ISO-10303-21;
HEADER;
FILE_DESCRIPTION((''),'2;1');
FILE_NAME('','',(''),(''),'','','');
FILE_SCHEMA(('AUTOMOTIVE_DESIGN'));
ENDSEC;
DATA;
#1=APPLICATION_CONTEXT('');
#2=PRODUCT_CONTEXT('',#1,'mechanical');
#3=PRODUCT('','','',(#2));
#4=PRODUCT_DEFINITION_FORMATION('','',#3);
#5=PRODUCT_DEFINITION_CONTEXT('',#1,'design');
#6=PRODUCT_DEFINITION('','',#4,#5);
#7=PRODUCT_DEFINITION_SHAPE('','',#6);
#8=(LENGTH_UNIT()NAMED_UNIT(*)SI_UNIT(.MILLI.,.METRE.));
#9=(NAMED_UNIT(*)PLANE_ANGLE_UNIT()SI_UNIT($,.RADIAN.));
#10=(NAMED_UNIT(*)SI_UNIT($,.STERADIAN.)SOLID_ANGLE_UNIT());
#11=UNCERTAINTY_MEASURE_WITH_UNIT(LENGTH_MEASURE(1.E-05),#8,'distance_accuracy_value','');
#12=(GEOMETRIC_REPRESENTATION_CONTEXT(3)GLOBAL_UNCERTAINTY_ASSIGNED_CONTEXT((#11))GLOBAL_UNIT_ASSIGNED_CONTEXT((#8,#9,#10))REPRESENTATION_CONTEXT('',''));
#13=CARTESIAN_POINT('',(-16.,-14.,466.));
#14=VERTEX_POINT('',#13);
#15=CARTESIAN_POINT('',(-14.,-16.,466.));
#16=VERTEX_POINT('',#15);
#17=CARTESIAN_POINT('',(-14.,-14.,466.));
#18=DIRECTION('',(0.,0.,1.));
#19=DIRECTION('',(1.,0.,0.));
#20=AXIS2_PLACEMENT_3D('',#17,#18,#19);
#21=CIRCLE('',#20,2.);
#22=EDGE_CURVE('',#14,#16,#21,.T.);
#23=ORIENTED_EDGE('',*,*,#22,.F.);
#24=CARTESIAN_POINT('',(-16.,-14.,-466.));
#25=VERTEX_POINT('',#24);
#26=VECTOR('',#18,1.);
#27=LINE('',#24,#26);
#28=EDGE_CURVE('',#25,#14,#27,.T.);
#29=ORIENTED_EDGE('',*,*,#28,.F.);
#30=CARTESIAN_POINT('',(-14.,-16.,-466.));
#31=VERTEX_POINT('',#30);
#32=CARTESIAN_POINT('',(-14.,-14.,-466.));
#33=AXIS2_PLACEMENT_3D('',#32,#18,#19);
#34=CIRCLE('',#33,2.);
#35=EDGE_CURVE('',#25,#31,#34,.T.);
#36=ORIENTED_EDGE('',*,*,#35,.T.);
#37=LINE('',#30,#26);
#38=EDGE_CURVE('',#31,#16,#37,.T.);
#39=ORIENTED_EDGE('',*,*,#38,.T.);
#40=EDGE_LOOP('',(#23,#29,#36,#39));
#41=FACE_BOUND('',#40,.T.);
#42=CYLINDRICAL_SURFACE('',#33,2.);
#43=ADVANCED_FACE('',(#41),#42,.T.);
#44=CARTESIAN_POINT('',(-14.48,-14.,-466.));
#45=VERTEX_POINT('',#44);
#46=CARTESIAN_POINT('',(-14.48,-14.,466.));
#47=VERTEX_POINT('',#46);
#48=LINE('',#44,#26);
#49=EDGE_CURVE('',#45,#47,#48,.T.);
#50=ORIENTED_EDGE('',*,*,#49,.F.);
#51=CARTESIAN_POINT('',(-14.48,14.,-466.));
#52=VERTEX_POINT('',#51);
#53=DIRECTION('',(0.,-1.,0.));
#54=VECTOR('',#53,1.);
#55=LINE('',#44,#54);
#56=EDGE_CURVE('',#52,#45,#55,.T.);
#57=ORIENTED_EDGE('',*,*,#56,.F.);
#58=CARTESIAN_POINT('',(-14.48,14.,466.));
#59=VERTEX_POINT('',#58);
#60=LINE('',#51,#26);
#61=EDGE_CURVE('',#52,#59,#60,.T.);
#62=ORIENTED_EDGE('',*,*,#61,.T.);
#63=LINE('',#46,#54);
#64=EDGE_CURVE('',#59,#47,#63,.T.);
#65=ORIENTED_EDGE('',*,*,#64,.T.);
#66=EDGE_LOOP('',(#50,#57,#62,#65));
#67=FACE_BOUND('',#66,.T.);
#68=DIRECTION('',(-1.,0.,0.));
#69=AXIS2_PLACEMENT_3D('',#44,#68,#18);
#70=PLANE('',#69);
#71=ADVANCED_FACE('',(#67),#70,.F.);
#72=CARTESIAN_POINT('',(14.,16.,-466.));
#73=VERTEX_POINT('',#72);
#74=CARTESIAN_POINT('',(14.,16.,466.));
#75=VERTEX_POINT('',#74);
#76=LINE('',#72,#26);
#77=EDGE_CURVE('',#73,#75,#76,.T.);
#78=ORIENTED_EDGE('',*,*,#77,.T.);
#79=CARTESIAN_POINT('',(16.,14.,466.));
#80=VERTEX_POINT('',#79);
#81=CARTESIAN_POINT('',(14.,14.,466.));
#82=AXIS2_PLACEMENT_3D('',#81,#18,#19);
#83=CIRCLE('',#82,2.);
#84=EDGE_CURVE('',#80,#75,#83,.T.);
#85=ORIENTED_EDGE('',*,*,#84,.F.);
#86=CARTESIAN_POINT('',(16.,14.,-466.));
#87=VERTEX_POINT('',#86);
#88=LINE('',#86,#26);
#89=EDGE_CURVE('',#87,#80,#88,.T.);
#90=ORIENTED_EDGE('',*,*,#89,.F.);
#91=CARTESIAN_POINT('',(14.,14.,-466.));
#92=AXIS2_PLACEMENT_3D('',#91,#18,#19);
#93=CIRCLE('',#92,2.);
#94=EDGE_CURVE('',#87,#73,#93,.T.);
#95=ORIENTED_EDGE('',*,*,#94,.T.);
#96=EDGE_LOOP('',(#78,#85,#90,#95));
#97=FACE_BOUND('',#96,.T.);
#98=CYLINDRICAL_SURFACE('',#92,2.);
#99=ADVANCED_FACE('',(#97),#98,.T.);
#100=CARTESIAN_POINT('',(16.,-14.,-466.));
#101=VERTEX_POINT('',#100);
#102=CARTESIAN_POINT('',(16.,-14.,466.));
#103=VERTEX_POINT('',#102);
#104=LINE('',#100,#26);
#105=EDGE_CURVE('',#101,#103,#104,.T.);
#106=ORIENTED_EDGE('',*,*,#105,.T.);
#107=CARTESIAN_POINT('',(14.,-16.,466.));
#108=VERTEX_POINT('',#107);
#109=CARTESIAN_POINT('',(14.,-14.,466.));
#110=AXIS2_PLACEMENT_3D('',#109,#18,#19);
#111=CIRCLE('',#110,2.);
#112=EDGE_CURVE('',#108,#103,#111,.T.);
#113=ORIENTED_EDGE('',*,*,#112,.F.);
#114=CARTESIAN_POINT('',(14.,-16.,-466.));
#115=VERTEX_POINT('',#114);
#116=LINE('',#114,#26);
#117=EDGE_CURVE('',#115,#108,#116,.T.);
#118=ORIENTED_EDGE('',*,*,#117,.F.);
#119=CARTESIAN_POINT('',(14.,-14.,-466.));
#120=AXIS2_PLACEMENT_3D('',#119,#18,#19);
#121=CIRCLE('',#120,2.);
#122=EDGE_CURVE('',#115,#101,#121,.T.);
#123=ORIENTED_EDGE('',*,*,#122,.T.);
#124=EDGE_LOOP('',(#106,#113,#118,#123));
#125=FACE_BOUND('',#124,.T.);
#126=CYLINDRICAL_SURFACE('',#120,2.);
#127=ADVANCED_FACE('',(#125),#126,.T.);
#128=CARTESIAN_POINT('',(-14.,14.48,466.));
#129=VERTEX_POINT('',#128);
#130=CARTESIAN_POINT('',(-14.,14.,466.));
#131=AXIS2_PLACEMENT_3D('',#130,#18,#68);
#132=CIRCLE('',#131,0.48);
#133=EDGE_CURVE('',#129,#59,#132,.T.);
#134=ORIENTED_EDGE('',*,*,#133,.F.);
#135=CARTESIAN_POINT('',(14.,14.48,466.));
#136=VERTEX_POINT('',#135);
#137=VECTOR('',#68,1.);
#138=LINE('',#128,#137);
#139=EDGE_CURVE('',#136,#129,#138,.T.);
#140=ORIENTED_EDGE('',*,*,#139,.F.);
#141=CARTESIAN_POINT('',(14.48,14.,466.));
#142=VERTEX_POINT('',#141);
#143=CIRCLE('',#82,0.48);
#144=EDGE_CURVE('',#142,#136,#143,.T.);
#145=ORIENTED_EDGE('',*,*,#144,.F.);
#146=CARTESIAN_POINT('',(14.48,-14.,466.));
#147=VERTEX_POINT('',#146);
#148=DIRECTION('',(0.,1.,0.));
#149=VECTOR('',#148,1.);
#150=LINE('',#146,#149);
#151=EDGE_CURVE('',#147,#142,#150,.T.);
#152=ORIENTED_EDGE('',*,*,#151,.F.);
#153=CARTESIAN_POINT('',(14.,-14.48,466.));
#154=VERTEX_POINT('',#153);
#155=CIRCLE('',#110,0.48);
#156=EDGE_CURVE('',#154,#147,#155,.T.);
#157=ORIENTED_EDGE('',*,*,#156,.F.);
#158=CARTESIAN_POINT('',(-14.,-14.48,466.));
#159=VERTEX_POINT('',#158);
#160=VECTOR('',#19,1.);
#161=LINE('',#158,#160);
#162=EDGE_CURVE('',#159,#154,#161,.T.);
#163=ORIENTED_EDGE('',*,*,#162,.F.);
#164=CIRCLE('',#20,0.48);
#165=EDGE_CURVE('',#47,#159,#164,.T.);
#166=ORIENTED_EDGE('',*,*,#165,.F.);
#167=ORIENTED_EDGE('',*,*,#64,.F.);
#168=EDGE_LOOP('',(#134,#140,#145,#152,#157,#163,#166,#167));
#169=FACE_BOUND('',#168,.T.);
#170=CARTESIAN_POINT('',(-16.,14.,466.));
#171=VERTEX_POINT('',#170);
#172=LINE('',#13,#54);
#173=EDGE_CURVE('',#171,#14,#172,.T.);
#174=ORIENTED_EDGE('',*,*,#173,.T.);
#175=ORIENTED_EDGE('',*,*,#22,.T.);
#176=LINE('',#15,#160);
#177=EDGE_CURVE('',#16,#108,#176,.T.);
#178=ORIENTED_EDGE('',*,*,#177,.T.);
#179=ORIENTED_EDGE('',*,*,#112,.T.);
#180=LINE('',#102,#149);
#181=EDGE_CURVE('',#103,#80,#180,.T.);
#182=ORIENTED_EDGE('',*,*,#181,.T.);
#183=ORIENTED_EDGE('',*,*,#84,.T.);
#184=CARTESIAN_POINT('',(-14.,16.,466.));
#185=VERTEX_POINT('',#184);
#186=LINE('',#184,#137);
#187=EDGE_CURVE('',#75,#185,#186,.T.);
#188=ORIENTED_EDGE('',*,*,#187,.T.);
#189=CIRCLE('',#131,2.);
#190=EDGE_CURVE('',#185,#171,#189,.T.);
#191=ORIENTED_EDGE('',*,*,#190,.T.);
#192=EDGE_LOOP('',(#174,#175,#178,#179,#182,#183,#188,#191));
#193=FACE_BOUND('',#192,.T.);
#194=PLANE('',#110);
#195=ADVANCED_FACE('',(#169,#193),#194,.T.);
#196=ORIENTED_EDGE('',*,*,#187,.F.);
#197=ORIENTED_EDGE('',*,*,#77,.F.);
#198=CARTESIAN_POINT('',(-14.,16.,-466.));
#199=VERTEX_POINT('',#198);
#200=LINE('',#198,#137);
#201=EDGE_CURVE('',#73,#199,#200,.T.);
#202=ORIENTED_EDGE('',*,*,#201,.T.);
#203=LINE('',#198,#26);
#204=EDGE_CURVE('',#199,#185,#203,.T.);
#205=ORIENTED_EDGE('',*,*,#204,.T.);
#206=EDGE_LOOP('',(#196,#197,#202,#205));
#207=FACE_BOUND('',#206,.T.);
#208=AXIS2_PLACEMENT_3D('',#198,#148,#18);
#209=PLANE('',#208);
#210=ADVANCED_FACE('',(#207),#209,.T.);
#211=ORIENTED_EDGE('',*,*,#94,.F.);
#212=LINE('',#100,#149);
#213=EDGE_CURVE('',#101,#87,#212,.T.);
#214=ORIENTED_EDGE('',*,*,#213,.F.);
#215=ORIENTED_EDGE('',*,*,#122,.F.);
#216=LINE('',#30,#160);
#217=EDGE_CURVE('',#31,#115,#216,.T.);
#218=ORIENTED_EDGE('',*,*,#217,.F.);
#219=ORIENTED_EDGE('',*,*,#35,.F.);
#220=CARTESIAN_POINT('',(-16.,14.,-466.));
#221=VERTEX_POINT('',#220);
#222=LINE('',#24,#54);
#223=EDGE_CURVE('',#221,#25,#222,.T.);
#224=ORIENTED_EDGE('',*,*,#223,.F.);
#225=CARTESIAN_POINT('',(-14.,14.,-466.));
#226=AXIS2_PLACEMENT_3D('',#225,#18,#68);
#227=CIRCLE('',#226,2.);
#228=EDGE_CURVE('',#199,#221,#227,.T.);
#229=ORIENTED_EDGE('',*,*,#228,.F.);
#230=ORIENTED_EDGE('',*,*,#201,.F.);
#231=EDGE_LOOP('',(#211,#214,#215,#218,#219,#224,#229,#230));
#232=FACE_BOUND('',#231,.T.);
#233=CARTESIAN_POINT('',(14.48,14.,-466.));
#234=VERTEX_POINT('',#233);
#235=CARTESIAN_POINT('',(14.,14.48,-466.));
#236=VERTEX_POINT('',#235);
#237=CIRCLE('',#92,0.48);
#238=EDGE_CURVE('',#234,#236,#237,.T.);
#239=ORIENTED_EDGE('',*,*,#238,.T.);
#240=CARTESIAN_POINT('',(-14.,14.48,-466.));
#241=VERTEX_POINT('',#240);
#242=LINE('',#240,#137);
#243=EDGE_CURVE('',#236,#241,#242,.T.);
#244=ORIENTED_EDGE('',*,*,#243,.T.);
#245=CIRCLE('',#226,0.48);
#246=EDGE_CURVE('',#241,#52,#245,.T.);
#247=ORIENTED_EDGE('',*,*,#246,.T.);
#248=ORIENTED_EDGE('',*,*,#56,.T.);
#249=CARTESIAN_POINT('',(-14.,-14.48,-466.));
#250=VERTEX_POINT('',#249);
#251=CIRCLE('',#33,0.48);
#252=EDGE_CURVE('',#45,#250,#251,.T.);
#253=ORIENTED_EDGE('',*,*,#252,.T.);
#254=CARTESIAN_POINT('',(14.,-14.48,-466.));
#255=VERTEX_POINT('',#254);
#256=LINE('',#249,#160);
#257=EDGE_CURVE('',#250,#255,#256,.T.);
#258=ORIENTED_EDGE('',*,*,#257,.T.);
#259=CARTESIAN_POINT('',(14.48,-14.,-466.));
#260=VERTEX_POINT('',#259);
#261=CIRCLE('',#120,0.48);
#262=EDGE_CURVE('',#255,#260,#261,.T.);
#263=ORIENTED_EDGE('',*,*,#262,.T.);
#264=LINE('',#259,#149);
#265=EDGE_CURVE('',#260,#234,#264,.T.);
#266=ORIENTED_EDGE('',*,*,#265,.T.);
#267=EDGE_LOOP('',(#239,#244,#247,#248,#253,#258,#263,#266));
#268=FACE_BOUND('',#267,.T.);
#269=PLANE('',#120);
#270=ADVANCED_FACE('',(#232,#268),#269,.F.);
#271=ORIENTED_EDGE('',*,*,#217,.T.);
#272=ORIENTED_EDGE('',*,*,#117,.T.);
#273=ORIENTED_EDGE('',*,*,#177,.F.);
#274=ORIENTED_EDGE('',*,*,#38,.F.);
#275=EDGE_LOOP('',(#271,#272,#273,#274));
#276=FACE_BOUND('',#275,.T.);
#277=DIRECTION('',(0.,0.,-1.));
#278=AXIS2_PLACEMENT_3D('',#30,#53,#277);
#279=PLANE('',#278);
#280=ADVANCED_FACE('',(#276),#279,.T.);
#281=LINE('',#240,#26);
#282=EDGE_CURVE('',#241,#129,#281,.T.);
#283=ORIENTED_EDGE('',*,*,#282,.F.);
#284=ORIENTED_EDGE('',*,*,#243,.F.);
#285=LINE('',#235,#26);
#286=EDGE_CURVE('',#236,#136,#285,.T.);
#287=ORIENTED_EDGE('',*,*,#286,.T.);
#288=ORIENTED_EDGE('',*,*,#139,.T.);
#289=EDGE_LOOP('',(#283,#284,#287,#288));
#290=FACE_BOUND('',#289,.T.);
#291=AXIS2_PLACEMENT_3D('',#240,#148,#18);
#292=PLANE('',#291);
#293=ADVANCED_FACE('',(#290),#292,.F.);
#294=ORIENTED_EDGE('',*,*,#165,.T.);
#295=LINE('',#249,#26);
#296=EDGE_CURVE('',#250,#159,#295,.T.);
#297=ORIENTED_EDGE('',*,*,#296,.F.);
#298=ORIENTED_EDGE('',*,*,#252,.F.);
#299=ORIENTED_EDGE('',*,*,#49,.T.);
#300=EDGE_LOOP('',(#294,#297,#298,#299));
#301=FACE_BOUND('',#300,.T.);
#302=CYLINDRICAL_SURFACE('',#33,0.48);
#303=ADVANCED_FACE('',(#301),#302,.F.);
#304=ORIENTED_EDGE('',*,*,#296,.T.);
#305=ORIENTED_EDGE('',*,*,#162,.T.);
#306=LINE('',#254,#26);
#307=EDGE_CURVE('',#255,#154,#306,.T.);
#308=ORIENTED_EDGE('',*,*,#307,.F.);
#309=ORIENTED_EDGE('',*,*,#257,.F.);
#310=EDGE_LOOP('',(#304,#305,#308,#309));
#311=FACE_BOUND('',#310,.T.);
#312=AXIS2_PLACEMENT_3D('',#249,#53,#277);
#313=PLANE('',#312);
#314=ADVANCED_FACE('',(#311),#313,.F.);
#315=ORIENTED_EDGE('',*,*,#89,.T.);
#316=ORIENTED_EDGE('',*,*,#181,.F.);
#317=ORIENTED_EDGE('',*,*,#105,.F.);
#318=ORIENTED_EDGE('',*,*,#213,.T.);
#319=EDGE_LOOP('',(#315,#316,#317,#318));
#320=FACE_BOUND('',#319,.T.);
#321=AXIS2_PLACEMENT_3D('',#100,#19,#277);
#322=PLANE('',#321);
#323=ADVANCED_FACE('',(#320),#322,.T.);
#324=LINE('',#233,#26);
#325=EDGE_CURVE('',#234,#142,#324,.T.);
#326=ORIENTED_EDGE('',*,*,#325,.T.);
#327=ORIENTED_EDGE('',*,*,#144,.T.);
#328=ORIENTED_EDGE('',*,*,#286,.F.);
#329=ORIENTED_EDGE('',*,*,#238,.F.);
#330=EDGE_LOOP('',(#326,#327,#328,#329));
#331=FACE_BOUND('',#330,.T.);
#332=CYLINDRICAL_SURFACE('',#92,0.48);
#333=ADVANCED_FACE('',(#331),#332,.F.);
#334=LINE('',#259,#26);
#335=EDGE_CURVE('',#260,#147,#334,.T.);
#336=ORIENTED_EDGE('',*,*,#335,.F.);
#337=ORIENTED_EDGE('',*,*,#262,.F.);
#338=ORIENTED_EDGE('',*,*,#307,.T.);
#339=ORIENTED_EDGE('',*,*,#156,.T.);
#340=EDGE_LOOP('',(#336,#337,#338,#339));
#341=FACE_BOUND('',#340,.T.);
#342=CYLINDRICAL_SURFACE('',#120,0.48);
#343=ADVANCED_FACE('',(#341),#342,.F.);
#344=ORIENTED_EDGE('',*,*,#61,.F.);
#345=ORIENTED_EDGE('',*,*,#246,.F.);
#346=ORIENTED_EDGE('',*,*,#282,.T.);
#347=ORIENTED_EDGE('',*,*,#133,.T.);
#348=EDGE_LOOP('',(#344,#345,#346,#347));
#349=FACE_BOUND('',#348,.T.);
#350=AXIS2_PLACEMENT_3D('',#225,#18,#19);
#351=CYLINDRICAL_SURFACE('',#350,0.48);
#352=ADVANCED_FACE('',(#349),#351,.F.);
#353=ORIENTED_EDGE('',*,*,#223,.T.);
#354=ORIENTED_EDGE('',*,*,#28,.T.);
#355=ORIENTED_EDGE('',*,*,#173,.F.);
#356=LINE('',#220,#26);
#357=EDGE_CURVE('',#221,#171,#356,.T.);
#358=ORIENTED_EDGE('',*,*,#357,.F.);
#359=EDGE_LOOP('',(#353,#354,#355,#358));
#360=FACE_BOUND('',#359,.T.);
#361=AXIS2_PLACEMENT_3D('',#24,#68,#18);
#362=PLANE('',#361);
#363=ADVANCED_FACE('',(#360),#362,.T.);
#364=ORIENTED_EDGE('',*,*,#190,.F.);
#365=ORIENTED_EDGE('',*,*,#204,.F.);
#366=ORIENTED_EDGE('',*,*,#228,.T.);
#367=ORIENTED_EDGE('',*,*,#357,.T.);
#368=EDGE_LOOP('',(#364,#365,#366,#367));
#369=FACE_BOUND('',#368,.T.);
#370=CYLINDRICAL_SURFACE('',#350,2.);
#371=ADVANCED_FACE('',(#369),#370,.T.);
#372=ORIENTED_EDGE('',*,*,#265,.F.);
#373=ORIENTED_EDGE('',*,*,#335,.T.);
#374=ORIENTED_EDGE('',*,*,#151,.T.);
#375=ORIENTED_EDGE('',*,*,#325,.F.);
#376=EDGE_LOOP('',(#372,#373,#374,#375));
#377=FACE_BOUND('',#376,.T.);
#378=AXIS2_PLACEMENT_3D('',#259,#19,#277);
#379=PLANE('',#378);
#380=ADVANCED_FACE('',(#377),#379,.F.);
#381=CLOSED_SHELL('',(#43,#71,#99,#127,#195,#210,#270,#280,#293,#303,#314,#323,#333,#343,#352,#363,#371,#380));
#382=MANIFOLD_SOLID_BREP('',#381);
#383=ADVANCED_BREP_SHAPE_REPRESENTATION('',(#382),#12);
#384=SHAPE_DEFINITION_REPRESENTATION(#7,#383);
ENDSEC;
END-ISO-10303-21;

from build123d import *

# Parameters (mm, degrees)
BOSS_EXTRUDE1_DEPTH      = 466
BOSS_EXTRUDE1_DEPTH_BACK = 466


with BuildPart() as part:
    # Sketch1 → Boss-Extrude1 (new, two sides: drawn at the far end of the back side and taken through both)
    with BuildSketch(Plane.XY.offset(-BOSS_EXTRUDE1_DEPTH_BACK)):
        with BuildLine():
            Line((-14, -16), (14, -16))
            ThreePointArc((14, -16), (15.414213562, -15.414213562), (16, -14))
            Line((16, -14), (16, 14))
            ThreePointArc((16, 14), (15.414213562, 15.414213562), (14, 16))
            Line((14, 16), (-14, 16))
            ThreePointArc((-14, 16), (-15.414213562, 15.414213562), (-16, 14))
            Line((-16, 14), (-16, -14))
            ThreePointArc((-16, -14), (-15.414213562, -15.414213562), (-14, -16))
        make_face()
        with BuildLine():
            Line((-14, 14.48), (14, 14.48))
            ThreePointArc((14, 14.48), (14.339411255, 14.339411255), (14.48, 14))
            Line((14.48, 14), (14.48, -14))
            ThreePointArc((14.48, -14), (14.339411255, -14.339411255), (14, -14.48))
            Line((14, -14.48), (-14, -14.48))
            ThreePointArc((-14, -14.48), (-14.339411255, -14.339411255), (-14.48, -14))
            Line((-14.48, -14), (-14.48, 14))
            ThreePointArc((-14.48, 14), (-14.339411255, 14.339411255), (-14, 14.48))
        make_face(mode=Mode.SUBTRACT)
    extrude(amount=BOSS_EXTRUDE1_DEPTH + BOSS_EXTRUDE1_DEPTH_BACK)


solid = part.part
